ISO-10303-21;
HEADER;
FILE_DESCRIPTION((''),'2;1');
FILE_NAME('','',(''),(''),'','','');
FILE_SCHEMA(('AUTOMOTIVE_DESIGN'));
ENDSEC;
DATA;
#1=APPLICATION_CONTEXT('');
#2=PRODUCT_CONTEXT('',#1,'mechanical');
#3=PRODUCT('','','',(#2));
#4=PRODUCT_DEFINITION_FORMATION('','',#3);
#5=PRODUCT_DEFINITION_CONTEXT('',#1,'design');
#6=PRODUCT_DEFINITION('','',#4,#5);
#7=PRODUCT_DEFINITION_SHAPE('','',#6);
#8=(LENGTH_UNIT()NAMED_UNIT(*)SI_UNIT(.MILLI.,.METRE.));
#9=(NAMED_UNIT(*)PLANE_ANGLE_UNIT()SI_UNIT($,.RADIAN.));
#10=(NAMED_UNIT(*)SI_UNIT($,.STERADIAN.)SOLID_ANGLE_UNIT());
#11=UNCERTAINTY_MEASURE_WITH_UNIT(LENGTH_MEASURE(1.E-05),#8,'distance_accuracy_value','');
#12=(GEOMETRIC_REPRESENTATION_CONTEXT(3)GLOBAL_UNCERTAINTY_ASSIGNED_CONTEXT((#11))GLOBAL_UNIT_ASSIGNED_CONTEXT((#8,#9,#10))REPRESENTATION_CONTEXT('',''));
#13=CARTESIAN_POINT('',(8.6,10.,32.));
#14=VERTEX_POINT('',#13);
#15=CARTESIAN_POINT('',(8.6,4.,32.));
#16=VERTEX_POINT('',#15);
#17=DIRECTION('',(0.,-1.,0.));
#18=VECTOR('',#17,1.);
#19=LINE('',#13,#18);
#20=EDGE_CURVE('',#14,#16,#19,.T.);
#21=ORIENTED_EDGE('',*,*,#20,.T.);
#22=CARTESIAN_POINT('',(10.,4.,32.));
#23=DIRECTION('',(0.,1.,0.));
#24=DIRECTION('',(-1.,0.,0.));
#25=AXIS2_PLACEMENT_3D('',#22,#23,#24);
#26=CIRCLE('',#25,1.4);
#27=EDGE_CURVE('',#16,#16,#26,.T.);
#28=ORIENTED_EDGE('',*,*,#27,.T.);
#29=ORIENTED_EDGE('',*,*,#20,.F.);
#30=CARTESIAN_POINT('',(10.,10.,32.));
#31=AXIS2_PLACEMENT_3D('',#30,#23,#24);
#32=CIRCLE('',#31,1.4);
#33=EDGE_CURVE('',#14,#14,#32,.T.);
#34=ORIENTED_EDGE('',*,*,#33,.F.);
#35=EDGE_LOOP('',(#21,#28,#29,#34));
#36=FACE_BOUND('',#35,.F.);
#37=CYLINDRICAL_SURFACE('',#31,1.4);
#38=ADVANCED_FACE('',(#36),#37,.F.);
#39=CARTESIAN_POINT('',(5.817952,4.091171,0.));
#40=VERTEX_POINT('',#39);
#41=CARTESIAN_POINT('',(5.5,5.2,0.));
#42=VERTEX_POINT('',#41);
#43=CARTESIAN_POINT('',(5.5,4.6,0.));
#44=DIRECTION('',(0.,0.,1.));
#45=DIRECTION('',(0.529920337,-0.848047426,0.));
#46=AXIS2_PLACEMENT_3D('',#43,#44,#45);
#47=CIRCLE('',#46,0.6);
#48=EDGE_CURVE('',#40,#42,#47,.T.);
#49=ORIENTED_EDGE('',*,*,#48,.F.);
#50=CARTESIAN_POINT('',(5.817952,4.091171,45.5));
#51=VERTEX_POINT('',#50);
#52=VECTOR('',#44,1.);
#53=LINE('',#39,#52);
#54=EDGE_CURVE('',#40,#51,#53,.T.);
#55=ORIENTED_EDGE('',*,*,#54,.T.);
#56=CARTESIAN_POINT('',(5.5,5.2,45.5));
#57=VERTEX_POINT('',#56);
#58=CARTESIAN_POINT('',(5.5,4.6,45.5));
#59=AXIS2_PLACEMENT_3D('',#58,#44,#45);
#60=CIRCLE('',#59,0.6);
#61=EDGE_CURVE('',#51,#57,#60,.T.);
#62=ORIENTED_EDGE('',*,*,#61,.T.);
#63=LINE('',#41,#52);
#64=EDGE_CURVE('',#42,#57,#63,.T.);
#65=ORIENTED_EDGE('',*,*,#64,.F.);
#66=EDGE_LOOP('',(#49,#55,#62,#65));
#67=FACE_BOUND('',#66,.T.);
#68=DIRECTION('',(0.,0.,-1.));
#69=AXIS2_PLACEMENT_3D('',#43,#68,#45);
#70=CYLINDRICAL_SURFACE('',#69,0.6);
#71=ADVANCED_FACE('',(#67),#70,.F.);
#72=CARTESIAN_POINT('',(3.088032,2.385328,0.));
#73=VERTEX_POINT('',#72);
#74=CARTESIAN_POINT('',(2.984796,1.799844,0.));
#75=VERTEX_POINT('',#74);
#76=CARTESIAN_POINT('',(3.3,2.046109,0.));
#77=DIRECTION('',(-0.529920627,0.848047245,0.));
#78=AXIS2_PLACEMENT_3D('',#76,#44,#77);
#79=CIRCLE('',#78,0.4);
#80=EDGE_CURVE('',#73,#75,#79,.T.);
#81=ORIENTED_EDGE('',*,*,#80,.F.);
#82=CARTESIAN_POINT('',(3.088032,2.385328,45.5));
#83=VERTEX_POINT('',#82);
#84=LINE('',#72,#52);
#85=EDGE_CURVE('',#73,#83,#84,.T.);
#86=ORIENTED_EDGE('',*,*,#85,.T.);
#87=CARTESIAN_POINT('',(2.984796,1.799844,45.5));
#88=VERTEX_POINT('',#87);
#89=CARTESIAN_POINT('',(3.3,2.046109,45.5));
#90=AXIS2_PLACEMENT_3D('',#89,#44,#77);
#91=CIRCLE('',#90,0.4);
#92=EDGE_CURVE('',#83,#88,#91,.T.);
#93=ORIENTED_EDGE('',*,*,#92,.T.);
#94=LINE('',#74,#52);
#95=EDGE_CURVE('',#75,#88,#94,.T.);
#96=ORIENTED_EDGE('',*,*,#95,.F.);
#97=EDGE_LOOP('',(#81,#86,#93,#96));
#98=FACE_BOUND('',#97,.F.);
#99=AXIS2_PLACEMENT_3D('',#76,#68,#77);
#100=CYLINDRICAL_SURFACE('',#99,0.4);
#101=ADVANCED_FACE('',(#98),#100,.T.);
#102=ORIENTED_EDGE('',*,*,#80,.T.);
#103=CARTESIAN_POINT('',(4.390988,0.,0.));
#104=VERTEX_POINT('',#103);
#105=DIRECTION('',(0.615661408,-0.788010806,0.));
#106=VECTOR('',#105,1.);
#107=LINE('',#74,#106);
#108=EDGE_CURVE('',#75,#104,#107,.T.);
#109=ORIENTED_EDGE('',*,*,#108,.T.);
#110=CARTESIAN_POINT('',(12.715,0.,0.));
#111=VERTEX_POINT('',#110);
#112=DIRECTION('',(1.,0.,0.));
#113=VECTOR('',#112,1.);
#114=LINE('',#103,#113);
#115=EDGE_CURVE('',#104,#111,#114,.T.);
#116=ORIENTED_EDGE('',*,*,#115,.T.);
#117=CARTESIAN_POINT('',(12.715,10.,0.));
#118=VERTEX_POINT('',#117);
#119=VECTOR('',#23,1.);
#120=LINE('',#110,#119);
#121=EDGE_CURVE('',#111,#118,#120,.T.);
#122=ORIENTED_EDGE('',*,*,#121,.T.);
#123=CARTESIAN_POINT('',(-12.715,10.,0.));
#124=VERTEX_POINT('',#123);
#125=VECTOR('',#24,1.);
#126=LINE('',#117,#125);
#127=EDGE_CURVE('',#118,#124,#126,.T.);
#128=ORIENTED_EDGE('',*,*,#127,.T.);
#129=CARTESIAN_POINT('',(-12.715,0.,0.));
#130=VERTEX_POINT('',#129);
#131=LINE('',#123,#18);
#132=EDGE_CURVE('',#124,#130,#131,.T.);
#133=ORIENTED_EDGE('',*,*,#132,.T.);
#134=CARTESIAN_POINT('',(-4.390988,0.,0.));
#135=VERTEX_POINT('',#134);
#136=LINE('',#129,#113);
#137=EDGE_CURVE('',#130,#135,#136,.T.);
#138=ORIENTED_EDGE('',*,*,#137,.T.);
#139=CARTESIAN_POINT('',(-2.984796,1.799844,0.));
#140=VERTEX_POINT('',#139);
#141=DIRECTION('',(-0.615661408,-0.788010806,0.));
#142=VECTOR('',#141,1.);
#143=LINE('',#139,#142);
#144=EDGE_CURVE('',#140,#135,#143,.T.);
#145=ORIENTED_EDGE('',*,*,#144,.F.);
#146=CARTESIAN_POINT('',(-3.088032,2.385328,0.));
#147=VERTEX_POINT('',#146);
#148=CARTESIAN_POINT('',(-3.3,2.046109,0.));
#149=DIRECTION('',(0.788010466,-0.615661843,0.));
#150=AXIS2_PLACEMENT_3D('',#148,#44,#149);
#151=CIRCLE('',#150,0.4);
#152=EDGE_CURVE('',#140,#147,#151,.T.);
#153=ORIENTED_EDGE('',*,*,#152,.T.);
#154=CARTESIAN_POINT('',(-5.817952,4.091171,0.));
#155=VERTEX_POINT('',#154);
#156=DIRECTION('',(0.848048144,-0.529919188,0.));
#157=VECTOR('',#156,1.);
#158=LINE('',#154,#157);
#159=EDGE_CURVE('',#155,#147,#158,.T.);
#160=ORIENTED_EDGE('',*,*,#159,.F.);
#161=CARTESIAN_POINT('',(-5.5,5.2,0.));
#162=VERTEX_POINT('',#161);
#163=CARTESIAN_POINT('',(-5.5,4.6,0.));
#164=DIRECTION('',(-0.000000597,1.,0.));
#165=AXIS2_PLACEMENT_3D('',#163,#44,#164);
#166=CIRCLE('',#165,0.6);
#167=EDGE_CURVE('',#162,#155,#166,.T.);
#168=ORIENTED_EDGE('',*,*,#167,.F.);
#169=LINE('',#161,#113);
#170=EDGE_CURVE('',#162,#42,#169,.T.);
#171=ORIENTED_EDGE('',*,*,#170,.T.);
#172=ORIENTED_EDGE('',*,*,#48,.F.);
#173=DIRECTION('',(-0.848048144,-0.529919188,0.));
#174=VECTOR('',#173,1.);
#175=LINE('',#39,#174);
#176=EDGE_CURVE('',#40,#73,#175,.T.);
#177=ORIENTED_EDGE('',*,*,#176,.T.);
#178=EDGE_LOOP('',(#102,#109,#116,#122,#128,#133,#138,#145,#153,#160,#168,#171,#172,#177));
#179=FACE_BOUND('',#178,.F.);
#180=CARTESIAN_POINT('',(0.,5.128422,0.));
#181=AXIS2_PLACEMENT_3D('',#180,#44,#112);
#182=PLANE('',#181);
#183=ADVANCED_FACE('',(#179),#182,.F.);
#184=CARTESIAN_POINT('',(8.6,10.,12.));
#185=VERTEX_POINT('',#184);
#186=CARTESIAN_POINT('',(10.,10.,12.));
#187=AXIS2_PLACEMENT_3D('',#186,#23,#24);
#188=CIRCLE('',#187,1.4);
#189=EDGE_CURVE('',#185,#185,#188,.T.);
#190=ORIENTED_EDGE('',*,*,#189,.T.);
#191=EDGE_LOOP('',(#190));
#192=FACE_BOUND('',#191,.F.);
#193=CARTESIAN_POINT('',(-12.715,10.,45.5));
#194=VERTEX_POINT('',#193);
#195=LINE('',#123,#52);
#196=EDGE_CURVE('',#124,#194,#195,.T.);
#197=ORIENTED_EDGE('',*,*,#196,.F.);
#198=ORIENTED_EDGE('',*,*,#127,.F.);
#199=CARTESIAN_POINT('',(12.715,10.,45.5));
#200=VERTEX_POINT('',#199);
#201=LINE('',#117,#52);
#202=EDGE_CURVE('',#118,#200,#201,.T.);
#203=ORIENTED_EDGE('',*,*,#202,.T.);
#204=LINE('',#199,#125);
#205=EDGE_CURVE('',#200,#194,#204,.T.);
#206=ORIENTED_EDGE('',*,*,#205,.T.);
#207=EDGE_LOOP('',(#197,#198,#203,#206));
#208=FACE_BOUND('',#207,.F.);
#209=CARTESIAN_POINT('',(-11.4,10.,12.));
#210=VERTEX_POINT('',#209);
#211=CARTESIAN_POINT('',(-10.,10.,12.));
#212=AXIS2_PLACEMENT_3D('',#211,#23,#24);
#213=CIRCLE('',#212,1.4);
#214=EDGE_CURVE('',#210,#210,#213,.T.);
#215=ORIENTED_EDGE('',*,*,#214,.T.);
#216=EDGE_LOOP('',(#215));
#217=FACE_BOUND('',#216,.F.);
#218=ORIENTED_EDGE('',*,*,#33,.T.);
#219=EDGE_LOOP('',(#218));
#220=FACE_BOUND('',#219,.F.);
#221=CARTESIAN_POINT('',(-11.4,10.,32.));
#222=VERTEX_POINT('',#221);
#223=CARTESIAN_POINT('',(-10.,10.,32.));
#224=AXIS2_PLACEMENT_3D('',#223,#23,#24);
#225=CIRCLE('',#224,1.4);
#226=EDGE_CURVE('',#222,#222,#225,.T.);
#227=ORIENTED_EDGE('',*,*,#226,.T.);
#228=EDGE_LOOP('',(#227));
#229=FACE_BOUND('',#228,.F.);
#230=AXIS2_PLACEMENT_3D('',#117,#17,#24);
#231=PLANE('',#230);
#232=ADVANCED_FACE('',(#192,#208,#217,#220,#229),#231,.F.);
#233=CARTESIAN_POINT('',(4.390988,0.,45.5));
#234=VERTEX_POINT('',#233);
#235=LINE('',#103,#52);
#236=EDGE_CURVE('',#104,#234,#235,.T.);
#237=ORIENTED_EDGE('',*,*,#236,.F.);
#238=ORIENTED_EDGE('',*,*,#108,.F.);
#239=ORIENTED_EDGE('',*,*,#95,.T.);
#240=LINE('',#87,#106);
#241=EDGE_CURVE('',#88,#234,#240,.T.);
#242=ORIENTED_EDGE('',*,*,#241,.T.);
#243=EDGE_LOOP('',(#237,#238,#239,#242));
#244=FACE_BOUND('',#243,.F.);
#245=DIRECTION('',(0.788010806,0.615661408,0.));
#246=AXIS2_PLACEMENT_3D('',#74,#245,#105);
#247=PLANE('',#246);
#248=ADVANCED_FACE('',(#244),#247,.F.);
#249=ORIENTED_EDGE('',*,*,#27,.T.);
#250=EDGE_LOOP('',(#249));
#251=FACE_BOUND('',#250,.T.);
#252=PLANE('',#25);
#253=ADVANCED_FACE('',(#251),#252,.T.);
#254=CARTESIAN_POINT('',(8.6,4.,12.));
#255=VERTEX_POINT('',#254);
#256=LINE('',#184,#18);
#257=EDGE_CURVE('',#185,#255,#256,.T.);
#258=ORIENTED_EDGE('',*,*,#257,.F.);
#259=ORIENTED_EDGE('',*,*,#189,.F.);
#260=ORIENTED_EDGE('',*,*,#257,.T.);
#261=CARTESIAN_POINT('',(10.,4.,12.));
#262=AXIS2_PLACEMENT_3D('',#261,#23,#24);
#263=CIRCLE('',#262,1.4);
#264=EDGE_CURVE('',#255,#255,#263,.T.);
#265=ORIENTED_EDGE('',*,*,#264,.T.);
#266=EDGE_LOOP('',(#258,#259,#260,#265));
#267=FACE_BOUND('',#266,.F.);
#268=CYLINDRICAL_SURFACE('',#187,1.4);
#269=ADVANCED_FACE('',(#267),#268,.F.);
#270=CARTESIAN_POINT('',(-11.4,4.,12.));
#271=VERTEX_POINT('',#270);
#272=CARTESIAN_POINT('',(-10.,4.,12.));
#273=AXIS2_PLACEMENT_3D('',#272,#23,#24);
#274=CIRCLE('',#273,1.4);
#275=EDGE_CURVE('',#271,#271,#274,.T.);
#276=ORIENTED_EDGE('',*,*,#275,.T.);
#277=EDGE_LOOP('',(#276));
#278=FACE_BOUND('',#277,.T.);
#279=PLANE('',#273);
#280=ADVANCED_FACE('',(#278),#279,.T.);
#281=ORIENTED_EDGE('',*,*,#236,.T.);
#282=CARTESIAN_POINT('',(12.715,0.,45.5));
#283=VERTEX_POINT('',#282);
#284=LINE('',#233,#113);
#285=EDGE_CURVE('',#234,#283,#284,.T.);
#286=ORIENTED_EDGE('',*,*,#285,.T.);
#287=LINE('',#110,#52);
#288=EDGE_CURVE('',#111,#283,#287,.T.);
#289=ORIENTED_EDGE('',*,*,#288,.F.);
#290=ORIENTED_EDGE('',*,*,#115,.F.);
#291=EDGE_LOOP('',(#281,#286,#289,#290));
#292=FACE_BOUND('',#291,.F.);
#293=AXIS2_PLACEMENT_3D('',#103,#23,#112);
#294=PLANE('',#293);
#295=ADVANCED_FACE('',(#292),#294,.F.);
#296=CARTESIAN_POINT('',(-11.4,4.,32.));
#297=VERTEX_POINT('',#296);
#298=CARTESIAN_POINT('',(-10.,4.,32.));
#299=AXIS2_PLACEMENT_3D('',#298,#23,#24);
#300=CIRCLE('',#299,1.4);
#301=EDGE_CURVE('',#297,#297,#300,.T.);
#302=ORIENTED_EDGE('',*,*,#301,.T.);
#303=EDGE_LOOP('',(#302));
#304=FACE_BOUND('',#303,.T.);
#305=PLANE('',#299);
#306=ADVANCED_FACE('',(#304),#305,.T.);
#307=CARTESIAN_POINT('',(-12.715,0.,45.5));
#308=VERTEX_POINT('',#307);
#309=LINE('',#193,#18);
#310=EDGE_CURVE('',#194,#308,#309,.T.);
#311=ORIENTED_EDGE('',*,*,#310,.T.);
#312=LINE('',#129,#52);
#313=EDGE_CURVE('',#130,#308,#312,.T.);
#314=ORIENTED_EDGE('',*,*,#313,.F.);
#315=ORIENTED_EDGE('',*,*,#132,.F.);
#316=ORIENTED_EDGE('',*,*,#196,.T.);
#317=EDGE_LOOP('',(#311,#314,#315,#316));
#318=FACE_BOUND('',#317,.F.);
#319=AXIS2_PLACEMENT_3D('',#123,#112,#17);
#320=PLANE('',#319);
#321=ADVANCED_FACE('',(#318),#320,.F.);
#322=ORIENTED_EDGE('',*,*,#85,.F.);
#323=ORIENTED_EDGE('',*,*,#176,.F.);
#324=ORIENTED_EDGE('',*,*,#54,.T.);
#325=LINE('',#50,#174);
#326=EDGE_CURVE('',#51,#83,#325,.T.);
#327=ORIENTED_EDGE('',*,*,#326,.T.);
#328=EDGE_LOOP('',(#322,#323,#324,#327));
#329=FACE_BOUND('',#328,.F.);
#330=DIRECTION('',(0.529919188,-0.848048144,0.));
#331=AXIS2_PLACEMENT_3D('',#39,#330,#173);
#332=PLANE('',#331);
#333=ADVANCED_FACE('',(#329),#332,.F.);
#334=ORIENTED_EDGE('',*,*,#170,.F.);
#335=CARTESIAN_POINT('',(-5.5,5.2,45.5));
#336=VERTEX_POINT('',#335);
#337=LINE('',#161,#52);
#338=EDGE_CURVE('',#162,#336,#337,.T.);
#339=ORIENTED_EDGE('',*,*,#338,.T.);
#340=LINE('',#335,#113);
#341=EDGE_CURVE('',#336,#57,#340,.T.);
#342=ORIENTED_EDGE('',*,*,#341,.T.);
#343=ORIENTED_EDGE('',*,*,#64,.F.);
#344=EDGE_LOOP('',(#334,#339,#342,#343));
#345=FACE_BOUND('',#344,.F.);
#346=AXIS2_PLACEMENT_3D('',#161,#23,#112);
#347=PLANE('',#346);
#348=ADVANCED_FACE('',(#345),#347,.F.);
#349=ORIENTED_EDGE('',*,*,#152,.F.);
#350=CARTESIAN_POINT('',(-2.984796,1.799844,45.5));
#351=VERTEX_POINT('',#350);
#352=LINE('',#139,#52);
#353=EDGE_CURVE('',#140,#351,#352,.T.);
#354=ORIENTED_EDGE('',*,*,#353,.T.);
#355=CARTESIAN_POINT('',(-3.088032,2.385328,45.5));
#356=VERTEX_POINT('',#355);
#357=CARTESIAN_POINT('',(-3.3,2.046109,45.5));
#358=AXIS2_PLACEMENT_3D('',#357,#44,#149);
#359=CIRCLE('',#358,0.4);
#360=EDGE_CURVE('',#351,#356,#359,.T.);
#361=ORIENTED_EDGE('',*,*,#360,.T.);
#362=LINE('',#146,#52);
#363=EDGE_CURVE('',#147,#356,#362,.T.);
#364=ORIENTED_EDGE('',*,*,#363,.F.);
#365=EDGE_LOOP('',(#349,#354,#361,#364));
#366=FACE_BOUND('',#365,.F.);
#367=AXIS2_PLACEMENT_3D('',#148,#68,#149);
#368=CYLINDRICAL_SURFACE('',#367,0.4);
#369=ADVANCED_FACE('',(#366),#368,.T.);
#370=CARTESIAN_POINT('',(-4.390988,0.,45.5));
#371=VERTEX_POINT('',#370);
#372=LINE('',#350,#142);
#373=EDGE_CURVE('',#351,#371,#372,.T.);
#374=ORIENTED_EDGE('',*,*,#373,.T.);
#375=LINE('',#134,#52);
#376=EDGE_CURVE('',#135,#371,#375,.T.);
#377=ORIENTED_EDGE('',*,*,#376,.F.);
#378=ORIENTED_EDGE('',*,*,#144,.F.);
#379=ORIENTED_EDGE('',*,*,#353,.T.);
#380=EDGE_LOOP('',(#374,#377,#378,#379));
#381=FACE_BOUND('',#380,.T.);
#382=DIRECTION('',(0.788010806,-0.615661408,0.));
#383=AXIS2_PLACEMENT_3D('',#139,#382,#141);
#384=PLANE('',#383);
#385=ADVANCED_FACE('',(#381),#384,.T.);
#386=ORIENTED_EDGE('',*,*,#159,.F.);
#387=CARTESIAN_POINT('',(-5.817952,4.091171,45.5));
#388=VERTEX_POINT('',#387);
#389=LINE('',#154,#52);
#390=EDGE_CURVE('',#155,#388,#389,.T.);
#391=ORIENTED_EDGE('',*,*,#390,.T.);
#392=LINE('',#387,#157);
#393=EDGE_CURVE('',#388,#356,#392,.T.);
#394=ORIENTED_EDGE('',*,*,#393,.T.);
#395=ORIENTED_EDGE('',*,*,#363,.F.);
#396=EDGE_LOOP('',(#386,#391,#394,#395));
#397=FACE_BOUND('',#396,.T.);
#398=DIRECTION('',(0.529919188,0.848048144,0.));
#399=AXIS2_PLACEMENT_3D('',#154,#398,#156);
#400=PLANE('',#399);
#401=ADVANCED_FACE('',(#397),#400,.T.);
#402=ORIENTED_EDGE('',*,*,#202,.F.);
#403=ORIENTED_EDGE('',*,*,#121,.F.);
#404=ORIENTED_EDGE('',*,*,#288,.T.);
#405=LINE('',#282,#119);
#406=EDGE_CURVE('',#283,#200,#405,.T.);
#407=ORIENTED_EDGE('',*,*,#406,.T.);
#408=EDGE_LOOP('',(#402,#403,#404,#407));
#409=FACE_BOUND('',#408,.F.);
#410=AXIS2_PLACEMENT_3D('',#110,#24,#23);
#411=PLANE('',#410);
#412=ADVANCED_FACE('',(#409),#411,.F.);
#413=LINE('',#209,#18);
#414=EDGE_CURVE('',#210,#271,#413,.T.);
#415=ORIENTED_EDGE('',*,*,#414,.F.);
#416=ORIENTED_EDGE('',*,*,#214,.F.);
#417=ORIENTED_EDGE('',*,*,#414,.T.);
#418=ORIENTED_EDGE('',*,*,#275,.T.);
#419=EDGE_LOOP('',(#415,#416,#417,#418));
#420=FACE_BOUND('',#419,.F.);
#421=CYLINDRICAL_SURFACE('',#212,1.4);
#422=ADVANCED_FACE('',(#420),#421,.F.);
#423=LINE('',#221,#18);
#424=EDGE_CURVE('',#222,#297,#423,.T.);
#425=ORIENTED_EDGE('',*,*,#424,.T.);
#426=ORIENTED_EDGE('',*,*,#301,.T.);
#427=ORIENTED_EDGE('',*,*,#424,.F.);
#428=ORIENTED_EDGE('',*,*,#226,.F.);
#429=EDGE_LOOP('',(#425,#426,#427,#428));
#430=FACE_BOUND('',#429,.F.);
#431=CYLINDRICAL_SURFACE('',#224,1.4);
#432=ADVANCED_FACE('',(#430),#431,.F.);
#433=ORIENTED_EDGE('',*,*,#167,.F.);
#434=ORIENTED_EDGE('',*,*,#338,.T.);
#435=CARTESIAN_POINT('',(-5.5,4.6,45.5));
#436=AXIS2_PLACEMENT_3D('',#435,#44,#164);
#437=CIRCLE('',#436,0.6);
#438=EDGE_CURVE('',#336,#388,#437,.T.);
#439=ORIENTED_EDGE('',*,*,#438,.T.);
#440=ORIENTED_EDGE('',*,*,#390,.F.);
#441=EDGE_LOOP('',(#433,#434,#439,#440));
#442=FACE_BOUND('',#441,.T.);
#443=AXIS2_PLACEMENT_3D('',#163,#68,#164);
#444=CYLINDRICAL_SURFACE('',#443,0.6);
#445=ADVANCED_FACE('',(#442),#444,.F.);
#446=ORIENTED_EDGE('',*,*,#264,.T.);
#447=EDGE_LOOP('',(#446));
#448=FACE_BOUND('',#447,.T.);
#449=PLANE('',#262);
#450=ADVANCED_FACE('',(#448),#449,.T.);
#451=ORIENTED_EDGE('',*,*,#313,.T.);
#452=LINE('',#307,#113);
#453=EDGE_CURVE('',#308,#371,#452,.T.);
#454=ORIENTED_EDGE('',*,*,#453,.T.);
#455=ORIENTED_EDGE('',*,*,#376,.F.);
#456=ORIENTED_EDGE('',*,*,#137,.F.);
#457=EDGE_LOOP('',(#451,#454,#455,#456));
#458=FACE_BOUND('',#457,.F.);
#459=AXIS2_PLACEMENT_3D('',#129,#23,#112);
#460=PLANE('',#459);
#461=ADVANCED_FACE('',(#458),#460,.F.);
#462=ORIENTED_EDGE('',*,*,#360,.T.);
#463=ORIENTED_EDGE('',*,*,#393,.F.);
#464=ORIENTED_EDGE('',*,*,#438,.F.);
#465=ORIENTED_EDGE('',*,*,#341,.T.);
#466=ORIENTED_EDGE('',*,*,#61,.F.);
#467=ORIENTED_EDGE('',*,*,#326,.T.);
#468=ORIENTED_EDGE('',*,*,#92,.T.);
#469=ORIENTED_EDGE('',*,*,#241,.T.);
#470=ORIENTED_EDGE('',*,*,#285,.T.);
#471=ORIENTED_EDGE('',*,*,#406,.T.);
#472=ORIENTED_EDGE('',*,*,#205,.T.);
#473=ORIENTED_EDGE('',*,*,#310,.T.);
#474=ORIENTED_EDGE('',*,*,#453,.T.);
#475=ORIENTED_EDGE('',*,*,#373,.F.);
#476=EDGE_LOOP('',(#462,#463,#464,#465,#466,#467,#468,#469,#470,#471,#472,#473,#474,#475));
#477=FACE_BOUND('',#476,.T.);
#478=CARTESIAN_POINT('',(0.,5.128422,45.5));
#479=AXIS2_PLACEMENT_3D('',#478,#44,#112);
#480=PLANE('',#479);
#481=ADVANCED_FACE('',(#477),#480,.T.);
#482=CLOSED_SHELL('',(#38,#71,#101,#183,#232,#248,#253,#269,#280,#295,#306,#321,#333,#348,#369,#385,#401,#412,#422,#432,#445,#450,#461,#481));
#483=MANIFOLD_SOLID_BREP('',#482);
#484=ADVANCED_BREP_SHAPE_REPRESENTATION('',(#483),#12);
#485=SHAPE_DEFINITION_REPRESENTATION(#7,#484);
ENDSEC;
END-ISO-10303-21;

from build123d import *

# Parameters (mm, degrees)
PAD_DEPTH    = 45.5
SKETCH001_R  = 1.4
POCKET_DEPTH = 6


with BuildPart() as part:
    # Sketch → Pad (new body)
    with BuildSketch(Plane.XY):
        with BuildLine():
            Line((12.715, 0), (12.715, 10))
            Line((12.715, 10), (-12.715, 10))
            Line((-12.715, 10), (-12.715, 0))
            Line((-12.715, 0), (-4.390988, 0))
            Line((-2.984796, 1.799844), (-4.390988, 0))
            ThreePointArc((-2.984796, 1.799844), (-2.906077, 2.115568), (-3.088032, 2.385328))
            Line((-5.817952, 4.091171), (-3.088032, 2.385328))
            ThreePointArc((-5.5, 5.2), (-6.076757, 4.765382), (-5.817952, 4.091171))
            Line((-5.5, 5.2), (5.5, 5.2))
            ThreePointArc((5.817952, 4.091171), (6.076757, 4.765382), (5.5, 5.2))
            Line((5.817952, 4.091171), (3.088032, 2.385328))
            ThreePointArc((3.088032, 2.385328), (2.906077, 2.115568), (2.984796, 1.799844))
            Line((2.984796, 1.799844), (4.390988, 0))
            Line((4.390988, 0), (12.715, 0))
        make_face()
    extrude(amount=PAD_DEPTH)

    # Sketch001 (on Face6 of Pad) → Pocket (cut)
    with BuildSketch(Plane(origin=(0, 10, 0), x_dir=(-1, 0, 0), z_dir=(0, 1, 0))):
        with Locations((-10, 12)):
            Circle(SKETCH001_R)
        with Locations((-10, 32)):
            Circle(SKETCH001_R)
        with Locations((10, 32)):
            Circle(SKETCH001_R)
        with Locations((10, 12)):
            Circle(SKETCH001_R)
    extrude(amount=-POCKET_DEPTH, mode=Mode.SUBTRACT)


solid = part.part
